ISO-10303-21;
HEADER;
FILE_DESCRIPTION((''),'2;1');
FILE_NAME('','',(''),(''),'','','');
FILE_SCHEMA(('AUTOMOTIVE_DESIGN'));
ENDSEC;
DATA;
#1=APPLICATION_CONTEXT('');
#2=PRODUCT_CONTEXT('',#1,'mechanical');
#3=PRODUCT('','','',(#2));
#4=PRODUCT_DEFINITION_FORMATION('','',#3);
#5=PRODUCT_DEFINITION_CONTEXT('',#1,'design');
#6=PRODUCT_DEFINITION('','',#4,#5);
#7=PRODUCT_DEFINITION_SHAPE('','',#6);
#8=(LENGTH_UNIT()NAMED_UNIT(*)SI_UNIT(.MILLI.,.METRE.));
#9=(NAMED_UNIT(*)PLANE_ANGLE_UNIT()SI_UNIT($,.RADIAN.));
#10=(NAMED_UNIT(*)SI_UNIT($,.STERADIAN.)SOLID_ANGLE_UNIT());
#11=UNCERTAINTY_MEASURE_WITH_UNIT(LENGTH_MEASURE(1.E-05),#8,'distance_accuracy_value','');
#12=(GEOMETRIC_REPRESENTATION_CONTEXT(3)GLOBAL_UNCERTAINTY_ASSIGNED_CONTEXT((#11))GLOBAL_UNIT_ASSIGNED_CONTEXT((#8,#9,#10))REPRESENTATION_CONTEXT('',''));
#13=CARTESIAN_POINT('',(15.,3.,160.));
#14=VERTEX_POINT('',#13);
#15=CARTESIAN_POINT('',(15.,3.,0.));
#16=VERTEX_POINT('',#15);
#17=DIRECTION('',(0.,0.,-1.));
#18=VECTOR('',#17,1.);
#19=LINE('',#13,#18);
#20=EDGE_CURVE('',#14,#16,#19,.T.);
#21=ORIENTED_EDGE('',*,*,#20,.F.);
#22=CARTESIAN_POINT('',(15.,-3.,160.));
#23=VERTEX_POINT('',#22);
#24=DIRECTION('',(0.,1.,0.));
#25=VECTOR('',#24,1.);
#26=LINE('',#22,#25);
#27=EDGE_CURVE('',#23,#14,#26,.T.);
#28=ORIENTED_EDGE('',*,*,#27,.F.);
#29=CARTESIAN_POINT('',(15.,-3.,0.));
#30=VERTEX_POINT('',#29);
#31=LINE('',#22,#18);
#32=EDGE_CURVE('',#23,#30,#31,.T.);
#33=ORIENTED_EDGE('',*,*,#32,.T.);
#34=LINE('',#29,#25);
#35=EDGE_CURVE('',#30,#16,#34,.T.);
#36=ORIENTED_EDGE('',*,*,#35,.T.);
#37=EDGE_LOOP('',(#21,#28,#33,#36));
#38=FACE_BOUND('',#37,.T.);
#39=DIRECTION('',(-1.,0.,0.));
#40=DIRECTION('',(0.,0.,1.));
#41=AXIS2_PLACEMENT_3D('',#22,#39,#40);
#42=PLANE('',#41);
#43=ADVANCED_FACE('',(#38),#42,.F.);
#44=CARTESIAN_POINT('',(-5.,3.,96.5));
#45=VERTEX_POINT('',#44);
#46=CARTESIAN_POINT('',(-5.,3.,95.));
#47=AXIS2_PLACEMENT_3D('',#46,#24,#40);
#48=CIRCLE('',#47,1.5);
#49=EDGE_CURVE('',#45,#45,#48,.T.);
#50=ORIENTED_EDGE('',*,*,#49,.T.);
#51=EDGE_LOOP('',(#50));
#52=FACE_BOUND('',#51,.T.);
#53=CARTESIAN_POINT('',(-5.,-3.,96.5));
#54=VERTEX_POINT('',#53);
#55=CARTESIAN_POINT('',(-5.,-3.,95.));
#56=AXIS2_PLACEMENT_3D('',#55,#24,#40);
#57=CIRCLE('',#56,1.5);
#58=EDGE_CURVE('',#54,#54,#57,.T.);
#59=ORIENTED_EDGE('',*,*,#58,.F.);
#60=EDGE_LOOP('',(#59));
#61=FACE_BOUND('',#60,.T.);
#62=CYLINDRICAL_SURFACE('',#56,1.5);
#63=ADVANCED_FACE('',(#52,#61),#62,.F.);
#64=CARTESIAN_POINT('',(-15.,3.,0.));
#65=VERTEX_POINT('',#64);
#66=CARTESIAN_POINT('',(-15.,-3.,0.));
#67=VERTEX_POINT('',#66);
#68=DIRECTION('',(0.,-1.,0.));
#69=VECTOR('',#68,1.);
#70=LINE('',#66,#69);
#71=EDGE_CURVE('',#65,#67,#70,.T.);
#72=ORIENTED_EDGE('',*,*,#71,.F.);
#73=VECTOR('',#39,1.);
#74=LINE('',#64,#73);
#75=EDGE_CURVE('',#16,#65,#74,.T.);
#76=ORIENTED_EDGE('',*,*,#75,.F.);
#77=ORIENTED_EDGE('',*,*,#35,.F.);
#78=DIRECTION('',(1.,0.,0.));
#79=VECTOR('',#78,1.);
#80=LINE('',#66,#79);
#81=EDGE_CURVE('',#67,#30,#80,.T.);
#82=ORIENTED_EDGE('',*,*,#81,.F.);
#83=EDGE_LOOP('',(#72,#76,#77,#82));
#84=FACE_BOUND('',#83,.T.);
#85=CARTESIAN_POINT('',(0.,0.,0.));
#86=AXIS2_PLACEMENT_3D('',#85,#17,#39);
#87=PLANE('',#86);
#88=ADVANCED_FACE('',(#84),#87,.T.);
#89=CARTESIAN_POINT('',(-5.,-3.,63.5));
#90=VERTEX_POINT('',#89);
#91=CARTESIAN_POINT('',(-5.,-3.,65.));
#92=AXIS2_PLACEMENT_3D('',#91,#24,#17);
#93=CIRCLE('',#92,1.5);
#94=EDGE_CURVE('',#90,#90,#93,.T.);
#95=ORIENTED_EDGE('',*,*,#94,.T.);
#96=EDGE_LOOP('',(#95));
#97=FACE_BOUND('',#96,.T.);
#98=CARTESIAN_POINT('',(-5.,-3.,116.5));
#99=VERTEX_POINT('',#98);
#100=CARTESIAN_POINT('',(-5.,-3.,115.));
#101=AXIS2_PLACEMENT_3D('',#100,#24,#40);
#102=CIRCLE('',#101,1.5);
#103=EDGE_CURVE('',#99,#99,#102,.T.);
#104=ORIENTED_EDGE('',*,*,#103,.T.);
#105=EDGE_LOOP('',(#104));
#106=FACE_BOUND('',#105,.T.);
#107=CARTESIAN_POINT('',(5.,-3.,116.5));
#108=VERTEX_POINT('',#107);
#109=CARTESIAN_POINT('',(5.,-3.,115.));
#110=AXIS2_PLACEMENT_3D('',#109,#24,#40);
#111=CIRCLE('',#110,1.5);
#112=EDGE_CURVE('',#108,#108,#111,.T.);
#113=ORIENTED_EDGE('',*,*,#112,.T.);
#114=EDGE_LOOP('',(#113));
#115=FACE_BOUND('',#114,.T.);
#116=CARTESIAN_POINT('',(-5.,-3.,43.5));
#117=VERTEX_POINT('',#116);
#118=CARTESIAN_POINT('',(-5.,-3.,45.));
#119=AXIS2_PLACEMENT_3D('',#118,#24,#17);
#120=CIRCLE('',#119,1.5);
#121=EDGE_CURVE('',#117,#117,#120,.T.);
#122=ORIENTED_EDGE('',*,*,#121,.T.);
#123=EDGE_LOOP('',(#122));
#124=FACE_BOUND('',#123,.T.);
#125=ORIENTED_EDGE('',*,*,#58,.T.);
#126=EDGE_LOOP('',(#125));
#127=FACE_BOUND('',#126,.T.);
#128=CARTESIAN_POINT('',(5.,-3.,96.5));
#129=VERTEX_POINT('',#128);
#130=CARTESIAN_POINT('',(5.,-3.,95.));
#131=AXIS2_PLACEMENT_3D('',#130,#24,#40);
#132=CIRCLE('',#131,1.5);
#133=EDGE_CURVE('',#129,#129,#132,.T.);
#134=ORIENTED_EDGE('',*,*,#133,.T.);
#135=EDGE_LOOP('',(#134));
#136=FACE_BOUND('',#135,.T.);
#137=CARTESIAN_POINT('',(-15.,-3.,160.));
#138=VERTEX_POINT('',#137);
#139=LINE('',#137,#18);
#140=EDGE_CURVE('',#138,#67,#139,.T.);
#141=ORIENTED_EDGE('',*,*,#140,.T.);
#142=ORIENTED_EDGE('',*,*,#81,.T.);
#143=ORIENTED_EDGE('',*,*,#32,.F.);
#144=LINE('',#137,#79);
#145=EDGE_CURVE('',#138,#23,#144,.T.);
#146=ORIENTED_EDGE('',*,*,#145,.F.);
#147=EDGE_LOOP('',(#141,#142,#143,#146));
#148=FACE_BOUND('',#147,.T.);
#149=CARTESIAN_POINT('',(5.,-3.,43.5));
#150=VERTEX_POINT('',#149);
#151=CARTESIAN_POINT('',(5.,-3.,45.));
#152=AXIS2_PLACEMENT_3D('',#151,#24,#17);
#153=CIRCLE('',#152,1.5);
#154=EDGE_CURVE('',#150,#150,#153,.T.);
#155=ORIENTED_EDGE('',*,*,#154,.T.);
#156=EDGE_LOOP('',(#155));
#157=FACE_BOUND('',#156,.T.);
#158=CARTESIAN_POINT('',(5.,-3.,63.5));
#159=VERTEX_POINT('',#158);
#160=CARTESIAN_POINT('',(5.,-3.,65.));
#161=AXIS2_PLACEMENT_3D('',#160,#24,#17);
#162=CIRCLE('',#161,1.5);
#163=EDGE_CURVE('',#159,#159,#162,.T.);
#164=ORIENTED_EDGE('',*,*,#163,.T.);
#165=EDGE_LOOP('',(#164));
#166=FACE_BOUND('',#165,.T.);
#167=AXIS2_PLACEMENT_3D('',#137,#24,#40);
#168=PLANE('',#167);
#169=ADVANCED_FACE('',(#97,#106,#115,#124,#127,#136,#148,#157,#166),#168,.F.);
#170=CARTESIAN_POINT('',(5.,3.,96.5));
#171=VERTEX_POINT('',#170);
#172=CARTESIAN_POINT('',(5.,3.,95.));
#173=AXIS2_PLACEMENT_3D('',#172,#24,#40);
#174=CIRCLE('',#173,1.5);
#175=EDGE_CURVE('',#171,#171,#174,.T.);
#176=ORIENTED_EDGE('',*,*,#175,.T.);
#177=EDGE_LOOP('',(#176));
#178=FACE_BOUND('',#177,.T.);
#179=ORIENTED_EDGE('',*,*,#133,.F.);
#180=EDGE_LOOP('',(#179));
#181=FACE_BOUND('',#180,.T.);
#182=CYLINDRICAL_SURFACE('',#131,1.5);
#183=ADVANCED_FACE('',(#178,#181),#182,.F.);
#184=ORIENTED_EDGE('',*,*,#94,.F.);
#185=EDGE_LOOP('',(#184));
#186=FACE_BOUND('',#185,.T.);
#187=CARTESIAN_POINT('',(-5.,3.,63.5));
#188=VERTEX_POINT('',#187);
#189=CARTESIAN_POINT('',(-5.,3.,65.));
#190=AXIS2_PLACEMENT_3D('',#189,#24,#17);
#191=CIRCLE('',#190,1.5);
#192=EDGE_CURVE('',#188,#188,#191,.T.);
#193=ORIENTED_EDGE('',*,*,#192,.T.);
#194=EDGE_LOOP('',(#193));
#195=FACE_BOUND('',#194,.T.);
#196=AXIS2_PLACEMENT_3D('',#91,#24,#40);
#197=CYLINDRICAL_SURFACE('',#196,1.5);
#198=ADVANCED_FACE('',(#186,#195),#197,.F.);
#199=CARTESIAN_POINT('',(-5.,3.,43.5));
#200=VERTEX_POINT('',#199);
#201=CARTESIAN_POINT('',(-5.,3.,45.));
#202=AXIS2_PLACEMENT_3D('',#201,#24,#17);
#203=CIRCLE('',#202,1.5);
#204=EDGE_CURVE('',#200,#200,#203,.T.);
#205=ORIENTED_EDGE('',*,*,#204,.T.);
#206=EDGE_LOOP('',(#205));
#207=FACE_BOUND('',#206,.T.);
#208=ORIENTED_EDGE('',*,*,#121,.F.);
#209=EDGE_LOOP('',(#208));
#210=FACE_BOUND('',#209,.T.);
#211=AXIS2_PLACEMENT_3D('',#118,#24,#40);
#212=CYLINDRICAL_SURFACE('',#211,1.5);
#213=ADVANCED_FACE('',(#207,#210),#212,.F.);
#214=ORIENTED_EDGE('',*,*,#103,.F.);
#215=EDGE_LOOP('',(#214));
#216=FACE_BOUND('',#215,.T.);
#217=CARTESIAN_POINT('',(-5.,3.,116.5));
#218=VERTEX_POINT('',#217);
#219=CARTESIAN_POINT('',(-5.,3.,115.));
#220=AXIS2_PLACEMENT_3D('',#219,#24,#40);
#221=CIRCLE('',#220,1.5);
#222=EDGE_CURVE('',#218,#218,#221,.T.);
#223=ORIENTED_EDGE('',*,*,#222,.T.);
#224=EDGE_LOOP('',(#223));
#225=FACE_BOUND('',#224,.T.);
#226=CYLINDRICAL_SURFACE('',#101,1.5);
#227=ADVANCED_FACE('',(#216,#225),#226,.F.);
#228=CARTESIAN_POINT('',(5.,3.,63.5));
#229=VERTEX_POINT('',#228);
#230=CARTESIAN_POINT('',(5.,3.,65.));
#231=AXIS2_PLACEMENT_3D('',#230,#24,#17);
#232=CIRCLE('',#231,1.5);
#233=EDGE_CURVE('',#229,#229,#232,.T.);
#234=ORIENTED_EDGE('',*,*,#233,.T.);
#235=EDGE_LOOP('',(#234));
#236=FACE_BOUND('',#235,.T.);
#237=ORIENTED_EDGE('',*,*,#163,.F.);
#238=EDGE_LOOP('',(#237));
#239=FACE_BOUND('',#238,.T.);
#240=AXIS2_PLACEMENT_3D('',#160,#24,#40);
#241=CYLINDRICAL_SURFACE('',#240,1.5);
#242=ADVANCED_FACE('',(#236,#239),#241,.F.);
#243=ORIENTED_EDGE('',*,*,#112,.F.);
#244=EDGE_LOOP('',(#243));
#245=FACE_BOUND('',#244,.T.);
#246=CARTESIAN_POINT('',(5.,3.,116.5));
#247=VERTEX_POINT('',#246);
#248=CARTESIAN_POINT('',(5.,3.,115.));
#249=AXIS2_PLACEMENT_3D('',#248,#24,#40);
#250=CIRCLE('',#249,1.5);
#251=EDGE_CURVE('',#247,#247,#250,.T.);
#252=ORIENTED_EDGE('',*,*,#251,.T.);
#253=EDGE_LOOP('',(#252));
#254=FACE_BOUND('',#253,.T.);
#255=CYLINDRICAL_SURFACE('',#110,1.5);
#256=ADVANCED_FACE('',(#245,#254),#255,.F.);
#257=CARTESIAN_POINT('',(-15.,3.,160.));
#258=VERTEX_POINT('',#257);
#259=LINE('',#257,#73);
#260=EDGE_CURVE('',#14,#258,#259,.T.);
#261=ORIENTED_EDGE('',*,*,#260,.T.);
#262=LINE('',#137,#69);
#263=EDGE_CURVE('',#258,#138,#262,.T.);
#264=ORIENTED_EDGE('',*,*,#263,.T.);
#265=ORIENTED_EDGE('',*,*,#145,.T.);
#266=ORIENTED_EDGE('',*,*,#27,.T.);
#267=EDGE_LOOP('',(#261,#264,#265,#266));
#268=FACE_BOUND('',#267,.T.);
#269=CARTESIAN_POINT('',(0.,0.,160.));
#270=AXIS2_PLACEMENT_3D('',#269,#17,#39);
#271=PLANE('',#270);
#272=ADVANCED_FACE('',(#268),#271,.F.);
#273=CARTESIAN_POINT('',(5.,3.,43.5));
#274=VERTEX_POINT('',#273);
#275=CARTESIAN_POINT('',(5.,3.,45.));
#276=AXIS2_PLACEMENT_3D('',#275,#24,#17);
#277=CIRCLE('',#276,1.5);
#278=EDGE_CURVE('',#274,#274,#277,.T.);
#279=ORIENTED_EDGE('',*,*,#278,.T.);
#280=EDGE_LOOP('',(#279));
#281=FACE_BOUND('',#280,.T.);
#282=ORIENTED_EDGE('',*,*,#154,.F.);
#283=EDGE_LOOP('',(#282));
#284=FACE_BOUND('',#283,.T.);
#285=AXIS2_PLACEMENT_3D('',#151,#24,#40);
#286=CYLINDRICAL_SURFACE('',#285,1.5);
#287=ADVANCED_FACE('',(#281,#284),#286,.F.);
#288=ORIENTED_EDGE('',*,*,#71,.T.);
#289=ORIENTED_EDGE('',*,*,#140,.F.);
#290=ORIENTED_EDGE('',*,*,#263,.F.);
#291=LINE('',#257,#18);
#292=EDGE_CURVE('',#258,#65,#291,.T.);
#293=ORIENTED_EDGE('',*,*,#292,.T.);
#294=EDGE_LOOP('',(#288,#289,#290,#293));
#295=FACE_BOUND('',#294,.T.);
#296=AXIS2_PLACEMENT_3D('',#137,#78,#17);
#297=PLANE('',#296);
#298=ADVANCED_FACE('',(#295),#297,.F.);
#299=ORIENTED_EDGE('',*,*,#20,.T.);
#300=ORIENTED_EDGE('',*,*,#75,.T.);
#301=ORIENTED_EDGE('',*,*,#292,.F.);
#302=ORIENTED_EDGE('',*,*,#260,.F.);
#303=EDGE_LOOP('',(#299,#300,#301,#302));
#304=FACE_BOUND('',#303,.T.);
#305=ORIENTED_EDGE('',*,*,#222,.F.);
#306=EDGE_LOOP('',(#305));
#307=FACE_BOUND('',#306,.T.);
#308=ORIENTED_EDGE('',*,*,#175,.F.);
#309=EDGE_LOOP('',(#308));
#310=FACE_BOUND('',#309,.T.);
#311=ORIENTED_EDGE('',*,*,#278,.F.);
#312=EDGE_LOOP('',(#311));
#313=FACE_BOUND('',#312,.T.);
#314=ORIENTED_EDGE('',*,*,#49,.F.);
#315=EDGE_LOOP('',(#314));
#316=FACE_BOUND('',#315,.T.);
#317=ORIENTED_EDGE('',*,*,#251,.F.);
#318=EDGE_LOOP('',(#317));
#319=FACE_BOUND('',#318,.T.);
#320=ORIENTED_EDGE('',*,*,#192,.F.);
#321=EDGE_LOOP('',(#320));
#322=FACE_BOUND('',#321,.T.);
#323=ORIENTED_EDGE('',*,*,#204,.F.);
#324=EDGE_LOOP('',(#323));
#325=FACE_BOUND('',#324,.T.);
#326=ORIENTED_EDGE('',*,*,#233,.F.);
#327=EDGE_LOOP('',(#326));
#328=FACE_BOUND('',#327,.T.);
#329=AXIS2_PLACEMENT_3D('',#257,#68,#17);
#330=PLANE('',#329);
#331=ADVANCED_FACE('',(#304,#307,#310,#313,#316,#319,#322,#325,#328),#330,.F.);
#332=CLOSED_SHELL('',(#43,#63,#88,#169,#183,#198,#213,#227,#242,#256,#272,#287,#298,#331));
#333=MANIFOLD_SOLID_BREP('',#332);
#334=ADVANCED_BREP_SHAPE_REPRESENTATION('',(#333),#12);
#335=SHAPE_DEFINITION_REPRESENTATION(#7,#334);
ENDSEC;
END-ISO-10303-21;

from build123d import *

# Parameters (mm, degrees)
SKETCH2_W           = 30
SKETCH2_H           = 6
BOSS_EXTRUDE1_DEPTH = 160
SKETCH3_R           = 1.5
CUT_EXTRUDE3_DEPTH  = 161.813556642


with BuildPart() as part:
    # Sketch2 → Boss-Extrude1 (new body)
    with BuildSketch(Plane.XY):
        Rectangle(SKETCH2_W, SKETCH2_H)
    extrude(amount=BOSS_EXTRUDE1_DEPTH)

    # Sketch3 → Cut-Extrude3 (cut, through all)
    with BuildSketch(Plane(origin=(0, 3, 0), x_dir=(1, 0, 0), z_dir=(0, 1, 0))):
        with Locations(Location((-5, -115, 0), (0, 0, 270))):
            Circle(SKETCH3_R)
        with Locations(Location((5, -115, 0), (0, 0, 270))):
            Circle(SKETCH3_R)
        with Locations(Location((5, -95, 0), (0, 0, 270))):
            Circle(SKETCH3_R)
        with Locations(Location((-5, -95, 0), (0, 0, 270))):
            Circle(SKETCH3_R)
        with Locations(Location((-5, -65, 0), (0, 0, 90))):
            Circle(SKETCH3_R)
        with Locations(Location((5, -65, 0), (0, 0, 90))):
            Circle(SKETCH3_R)
        with Locations(Location((5, -45, 0), (0, 0, 90))):
            Circle(SKETCH3_R)
        with Locations(Location((-5, -45, 0), (0, 0, 90))):
            Circle(SKETCH3_R)
    extrude(amount=-CUT_EXTRUDE3_DEPTH, mode=Mode.SUBTRACT)


solid = part.part
